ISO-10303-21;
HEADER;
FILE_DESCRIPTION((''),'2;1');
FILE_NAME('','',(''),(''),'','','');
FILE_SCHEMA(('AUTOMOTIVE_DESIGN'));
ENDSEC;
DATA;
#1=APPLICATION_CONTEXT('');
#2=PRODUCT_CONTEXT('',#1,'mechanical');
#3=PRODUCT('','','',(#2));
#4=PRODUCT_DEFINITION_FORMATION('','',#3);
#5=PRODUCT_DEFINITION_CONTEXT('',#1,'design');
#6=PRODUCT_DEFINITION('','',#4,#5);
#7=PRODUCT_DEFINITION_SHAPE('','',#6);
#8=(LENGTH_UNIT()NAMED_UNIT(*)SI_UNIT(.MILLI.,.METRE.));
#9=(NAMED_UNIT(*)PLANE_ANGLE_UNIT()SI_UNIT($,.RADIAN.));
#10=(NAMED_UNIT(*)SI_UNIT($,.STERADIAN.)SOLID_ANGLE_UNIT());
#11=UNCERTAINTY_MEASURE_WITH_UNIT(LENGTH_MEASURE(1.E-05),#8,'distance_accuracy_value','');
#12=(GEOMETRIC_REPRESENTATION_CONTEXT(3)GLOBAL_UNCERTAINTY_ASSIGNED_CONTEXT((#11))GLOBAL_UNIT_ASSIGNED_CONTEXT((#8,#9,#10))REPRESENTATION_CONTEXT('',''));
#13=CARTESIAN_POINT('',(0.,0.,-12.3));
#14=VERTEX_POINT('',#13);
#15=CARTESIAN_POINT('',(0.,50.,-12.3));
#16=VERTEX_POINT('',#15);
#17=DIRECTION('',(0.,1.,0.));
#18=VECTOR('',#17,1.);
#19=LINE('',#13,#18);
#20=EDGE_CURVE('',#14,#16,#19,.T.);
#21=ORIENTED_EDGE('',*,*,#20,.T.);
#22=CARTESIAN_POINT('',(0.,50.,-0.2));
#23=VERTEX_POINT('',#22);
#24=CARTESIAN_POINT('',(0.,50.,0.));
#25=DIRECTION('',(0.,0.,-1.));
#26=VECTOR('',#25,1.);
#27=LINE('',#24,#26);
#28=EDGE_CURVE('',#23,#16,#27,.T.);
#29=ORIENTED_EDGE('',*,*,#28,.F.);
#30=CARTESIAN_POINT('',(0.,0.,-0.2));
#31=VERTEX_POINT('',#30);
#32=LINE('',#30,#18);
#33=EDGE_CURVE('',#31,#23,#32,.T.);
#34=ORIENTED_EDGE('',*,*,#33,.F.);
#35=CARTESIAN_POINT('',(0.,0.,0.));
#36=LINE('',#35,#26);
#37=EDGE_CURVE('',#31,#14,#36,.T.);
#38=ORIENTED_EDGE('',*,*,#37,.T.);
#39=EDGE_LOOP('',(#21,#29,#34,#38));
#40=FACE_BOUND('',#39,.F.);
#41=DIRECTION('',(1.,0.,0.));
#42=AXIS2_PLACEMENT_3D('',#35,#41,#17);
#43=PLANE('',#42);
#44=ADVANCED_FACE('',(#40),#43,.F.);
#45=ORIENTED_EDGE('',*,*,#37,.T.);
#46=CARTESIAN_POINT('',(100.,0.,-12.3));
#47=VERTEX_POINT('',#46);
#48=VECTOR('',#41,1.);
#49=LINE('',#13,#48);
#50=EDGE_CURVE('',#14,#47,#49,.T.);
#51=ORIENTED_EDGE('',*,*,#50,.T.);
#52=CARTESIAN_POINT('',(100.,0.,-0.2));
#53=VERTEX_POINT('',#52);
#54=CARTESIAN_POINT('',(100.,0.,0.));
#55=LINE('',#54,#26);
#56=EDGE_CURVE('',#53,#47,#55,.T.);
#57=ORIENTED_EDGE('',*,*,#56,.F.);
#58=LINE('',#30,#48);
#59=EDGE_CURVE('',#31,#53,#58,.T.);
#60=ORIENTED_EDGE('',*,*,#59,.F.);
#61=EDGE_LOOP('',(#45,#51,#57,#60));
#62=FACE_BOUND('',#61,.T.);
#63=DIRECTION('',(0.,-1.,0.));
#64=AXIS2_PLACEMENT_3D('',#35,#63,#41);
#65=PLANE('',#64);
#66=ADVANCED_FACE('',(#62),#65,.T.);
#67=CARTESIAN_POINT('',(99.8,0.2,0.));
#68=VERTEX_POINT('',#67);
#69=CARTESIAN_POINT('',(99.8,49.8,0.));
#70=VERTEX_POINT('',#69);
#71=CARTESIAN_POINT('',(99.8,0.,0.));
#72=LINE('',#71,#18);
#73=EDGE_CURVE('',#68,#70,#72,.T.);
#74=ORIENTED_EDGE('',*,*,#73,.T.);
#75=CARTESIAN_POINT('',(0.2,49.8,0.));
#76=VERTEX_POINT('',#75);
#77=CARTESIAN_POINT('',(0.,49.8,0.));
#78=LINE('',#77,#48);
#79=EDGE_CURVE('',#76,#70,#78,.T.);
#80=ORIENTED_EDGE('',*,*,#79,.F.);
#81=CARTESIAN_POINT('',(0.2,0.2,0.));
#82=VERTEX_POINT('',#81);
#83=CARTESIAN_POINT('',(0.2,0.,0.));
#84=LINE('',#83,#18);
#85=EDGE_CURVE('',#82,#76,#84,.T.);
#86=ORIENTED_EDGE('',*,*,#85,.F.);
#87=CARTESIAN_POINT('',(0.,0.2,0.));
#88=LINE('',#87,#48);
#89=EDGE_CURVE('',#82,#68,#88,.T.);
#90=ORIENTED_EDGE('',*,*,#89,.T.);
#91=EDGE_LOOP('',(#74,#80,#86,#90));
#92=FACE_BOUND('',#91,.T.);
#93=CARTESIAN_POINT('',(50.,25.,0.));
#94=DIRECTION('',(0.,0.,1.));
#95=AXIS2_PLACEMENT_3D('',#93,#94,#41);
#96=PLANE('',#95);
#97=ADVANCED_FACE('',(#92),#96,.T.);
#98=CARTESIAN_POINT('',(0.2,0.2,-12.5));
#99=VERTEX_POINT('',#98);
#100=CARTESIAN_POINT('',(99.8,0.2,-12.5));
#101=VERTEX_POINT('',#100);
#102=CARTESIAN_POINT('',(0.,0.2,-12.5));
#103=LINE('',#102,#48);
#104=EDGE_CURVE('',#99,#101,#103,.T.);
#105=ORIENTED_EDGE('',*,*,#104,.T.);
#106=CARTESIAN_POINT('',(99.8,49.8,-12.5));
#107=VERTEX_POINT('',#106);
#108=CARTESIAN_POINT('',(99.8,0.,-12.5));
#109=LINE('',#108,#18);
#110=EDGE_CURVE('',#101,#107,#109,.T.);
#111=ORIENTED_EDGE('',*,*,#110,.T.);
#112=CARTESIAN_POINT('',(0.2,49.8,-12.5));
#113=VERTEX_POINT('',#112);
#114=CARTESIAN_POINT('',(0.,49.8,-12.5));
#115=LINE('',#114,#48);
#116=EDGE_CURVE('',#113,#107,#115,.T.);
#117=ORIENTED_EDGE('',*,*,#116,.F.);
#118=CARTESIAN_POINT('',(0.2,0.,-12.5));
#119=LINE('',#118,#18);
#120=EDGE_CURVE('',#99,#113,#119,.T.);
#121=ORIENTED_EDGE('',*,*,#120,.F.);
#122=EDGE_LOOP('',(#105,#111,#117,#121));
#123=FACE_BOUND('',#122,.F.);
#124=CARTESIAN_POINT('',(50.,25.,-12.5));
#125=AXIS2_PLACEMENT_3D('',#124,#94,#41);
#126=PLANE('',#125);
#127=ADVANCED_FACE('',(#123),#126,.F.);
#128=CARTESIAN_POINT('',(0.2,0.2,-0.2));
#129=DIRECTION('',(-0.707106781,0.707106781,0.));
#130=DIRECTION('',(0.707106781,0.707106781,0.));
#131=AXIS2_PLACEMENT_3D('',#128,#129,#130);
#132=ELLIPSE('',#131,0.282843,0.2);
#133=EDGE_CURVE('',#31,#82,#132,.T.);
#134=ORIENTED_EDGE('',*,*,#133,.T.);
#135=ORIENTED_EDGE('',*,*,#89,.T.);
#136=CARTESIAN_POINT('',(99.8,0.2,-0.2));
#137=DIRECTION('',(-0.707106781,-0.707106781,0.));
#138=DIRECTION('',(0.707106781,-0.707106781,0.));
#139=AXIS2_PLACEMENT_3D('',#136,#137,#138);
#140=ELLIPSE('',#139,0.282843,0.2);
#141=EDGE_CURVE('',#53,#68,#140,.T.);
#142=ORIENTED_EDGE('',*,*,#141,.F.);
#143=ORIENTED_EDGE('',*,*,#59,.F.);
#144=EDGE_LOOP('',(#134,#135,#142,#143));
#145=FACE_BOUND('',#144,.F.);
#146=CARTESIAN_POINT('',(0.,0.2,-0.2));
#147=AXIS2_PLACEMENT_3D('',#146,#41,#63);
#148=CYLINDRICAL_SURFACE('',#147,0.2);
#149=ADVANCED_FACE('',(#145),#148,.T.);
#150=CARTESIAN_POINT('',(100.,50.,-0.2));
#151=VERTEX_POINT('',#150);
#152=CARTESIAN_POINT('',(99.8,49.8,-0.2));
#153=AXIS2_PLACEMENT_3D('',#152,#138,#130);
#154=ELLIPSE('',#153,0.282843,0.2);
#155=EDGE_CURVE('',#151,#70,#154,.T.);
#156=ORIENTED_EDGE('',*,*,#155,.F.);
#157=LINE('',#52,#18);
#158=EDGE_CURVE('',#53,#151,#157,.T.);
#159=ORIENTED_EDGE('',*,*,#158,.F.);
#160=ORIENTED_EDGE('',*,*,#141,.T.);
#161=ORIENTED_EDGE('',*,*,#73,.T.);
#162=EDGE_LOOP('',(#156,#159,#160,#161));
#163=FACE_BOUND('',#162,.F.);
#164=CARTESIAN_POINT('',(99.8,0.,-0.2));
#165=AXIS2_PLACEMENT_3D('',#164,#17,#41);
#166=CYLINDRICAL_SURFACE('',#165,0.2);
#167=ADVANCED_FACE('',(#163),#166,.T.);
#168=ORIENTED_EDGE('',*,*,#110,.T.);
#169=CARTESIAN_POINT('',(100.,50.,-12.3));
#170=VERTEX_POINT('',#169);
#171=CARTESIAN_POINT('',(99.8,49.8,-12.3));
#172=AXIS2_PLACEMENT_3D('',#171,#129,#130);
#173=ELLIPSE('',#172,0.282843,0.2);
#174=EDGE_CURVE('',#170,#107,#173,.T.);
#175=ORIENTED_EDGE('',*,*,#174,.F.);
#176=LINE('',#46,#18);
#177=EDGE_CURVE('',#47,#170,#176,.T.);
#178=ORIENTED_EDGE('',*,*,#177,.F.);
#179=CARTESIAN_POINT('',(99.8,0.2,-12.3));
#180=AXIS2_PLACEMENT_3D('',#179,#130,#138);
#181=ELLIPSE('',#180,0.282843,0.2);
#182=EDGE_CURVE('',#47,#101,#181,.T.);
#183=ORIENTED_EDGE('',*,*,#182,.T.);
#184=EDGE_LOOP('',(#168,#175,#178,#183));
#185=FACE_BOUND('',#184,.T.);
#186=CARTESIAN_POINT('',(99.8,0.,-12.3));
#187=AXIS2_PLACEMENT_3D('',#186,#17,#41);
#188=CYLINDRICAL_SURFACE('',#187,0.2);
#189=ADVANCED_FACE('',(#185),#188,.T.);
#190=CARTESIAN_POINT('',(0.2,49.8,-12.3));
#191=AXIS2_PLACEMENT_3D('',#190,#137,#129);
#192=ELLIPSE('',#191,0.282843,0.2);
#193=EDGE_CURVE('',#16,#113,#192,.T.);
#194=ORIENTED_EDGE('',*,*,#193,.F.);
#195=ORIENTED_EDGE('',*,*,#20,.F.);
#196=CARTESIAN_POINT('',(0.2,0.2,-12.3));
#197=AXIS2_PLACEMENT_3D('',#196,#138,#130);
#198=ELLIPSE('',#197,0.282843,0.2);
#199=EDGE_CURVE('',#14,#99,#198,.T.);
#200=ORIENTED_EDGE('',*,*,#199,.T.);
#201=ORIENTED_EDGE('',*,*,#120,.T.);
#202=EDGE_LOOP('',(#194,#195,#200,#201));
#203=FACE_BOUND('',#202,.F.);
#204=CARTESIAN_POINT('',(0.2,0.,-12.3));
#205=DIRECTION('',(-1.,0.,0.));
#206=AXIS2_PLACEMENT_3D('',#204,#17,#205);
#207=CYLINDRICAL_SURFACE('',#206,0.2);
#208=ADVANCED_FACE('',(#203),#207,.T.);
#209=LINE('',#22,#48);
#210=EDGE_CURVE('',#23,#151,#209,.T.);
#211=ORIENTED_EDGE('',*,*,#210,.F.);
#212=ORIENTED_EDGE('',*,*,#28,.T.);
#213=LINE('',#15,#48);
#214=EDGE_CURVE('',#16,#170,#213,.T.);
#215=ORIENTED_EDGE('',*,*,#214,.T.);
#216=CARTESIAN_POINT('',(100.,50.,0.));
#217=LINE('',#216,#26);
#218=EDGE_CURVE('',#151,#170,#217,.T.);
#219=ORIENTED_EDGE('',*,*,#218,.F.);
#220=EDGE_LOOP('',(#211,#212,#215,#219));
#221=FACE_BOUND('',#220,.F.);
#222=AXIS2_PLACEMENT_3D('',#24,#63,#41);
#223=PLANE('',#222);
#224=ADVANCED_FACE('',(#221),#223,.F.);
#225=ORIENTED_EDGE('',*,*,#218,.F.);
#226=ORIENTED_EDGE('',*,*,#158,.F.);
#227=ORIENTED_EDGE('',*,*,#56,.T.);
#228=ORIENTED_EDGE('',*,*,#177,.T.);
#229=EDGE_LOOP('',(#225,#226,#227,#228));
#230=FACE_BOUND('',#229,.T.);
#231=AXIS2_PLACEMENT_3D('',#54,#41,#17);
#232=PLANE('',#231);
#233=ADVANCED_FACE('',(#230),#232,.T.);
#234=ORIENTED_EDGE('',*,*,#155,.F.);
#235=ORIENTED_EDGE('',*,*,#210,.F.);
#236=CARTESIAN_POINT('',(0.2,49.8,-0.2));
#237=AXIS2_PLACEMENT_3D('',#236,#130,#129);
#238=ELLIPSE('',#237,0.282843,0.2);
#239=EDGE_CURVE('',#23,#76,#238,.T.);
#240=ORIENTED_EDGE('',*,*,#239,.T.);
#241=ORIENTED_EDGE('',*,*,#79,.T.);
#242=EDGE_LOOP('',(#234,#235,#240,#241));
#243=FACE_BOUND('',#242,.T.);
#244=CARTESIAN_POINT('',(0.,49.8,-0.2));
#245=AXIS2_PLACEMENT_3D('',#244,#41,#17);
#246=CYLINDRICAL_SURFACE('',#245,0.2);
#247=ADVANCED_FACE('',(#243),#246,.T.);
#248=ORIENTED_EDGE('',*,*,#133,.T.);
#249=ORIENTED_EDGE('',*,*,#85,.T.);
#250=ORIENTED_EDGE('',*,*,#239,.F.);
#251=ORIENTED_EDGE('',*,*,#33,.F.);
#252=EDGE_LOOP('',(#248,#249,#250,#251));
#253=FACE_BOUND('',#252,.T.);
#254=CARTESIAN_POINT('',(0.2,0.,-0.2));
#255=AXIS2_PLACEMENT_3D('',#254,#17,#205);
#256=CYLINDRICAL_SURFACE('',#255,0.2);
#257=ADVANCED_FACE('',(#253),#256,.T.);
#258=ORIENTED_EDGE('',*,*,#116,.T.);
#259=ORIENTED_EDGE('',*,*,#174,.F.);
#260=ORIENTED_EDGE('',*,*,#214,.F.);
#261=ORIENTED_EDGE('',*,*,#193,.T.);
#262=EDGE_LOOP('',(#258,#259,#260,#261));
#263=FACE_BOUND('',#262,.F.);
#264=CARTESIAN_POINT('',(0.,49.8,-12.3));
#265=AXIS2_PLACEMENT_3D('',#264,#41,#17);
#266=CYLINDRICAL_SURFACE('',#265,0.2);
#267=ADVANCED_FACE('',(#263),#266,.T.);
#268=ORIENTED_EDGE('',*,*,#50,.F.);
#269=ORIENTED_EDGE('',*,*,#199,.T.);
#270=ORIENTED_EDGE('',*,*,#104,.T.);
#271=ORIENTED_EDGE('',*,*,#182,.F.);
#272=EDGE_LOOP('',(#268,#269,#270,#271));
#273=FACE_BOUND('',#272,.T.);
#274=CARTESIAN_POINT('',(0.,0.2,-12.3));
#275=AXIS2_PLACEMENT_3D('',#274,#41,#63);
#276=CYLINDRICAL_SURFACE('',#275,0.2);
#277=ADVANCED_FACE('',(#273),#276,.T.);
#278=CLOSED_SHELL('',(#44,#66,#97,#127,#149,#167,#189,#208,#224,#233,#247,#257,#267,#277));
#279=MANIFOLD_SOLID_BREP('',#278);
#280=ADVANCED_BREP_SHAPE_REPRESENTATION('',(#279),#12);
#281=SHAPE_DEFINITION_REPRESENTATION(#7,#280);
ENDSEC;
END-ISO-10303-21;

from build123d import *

# Parameters (mm, degrees)
F0_W     = 100
F0_H     = 50
F1_DEPTH = 12.5
F2_R     = 0.2


with BuildPart() as f1:
    # F0 (on Top) → F1 (new body)
    with BuildSketch(Plane.XY):
        with Locations((50, 25)):
            Rectangle(F0_W, F0_H)
    extrude(amount=-F1_DEPTH)

    # F2
    f2_edges = [f1.edges().sort_by_distance(p)[0] for p in [
        (0, 25, 0),
        (50, 0, 0),
        (100, 25, 0),
        (50, 50, 0),
        (0, 25, -12.5),
        (50, 0, -12.5),
        (100, 25, -12.5),
        (50, 50, -12.5),
    ]]
    fillet(f2_edges, radius=F2_R)


solid = f1.part
